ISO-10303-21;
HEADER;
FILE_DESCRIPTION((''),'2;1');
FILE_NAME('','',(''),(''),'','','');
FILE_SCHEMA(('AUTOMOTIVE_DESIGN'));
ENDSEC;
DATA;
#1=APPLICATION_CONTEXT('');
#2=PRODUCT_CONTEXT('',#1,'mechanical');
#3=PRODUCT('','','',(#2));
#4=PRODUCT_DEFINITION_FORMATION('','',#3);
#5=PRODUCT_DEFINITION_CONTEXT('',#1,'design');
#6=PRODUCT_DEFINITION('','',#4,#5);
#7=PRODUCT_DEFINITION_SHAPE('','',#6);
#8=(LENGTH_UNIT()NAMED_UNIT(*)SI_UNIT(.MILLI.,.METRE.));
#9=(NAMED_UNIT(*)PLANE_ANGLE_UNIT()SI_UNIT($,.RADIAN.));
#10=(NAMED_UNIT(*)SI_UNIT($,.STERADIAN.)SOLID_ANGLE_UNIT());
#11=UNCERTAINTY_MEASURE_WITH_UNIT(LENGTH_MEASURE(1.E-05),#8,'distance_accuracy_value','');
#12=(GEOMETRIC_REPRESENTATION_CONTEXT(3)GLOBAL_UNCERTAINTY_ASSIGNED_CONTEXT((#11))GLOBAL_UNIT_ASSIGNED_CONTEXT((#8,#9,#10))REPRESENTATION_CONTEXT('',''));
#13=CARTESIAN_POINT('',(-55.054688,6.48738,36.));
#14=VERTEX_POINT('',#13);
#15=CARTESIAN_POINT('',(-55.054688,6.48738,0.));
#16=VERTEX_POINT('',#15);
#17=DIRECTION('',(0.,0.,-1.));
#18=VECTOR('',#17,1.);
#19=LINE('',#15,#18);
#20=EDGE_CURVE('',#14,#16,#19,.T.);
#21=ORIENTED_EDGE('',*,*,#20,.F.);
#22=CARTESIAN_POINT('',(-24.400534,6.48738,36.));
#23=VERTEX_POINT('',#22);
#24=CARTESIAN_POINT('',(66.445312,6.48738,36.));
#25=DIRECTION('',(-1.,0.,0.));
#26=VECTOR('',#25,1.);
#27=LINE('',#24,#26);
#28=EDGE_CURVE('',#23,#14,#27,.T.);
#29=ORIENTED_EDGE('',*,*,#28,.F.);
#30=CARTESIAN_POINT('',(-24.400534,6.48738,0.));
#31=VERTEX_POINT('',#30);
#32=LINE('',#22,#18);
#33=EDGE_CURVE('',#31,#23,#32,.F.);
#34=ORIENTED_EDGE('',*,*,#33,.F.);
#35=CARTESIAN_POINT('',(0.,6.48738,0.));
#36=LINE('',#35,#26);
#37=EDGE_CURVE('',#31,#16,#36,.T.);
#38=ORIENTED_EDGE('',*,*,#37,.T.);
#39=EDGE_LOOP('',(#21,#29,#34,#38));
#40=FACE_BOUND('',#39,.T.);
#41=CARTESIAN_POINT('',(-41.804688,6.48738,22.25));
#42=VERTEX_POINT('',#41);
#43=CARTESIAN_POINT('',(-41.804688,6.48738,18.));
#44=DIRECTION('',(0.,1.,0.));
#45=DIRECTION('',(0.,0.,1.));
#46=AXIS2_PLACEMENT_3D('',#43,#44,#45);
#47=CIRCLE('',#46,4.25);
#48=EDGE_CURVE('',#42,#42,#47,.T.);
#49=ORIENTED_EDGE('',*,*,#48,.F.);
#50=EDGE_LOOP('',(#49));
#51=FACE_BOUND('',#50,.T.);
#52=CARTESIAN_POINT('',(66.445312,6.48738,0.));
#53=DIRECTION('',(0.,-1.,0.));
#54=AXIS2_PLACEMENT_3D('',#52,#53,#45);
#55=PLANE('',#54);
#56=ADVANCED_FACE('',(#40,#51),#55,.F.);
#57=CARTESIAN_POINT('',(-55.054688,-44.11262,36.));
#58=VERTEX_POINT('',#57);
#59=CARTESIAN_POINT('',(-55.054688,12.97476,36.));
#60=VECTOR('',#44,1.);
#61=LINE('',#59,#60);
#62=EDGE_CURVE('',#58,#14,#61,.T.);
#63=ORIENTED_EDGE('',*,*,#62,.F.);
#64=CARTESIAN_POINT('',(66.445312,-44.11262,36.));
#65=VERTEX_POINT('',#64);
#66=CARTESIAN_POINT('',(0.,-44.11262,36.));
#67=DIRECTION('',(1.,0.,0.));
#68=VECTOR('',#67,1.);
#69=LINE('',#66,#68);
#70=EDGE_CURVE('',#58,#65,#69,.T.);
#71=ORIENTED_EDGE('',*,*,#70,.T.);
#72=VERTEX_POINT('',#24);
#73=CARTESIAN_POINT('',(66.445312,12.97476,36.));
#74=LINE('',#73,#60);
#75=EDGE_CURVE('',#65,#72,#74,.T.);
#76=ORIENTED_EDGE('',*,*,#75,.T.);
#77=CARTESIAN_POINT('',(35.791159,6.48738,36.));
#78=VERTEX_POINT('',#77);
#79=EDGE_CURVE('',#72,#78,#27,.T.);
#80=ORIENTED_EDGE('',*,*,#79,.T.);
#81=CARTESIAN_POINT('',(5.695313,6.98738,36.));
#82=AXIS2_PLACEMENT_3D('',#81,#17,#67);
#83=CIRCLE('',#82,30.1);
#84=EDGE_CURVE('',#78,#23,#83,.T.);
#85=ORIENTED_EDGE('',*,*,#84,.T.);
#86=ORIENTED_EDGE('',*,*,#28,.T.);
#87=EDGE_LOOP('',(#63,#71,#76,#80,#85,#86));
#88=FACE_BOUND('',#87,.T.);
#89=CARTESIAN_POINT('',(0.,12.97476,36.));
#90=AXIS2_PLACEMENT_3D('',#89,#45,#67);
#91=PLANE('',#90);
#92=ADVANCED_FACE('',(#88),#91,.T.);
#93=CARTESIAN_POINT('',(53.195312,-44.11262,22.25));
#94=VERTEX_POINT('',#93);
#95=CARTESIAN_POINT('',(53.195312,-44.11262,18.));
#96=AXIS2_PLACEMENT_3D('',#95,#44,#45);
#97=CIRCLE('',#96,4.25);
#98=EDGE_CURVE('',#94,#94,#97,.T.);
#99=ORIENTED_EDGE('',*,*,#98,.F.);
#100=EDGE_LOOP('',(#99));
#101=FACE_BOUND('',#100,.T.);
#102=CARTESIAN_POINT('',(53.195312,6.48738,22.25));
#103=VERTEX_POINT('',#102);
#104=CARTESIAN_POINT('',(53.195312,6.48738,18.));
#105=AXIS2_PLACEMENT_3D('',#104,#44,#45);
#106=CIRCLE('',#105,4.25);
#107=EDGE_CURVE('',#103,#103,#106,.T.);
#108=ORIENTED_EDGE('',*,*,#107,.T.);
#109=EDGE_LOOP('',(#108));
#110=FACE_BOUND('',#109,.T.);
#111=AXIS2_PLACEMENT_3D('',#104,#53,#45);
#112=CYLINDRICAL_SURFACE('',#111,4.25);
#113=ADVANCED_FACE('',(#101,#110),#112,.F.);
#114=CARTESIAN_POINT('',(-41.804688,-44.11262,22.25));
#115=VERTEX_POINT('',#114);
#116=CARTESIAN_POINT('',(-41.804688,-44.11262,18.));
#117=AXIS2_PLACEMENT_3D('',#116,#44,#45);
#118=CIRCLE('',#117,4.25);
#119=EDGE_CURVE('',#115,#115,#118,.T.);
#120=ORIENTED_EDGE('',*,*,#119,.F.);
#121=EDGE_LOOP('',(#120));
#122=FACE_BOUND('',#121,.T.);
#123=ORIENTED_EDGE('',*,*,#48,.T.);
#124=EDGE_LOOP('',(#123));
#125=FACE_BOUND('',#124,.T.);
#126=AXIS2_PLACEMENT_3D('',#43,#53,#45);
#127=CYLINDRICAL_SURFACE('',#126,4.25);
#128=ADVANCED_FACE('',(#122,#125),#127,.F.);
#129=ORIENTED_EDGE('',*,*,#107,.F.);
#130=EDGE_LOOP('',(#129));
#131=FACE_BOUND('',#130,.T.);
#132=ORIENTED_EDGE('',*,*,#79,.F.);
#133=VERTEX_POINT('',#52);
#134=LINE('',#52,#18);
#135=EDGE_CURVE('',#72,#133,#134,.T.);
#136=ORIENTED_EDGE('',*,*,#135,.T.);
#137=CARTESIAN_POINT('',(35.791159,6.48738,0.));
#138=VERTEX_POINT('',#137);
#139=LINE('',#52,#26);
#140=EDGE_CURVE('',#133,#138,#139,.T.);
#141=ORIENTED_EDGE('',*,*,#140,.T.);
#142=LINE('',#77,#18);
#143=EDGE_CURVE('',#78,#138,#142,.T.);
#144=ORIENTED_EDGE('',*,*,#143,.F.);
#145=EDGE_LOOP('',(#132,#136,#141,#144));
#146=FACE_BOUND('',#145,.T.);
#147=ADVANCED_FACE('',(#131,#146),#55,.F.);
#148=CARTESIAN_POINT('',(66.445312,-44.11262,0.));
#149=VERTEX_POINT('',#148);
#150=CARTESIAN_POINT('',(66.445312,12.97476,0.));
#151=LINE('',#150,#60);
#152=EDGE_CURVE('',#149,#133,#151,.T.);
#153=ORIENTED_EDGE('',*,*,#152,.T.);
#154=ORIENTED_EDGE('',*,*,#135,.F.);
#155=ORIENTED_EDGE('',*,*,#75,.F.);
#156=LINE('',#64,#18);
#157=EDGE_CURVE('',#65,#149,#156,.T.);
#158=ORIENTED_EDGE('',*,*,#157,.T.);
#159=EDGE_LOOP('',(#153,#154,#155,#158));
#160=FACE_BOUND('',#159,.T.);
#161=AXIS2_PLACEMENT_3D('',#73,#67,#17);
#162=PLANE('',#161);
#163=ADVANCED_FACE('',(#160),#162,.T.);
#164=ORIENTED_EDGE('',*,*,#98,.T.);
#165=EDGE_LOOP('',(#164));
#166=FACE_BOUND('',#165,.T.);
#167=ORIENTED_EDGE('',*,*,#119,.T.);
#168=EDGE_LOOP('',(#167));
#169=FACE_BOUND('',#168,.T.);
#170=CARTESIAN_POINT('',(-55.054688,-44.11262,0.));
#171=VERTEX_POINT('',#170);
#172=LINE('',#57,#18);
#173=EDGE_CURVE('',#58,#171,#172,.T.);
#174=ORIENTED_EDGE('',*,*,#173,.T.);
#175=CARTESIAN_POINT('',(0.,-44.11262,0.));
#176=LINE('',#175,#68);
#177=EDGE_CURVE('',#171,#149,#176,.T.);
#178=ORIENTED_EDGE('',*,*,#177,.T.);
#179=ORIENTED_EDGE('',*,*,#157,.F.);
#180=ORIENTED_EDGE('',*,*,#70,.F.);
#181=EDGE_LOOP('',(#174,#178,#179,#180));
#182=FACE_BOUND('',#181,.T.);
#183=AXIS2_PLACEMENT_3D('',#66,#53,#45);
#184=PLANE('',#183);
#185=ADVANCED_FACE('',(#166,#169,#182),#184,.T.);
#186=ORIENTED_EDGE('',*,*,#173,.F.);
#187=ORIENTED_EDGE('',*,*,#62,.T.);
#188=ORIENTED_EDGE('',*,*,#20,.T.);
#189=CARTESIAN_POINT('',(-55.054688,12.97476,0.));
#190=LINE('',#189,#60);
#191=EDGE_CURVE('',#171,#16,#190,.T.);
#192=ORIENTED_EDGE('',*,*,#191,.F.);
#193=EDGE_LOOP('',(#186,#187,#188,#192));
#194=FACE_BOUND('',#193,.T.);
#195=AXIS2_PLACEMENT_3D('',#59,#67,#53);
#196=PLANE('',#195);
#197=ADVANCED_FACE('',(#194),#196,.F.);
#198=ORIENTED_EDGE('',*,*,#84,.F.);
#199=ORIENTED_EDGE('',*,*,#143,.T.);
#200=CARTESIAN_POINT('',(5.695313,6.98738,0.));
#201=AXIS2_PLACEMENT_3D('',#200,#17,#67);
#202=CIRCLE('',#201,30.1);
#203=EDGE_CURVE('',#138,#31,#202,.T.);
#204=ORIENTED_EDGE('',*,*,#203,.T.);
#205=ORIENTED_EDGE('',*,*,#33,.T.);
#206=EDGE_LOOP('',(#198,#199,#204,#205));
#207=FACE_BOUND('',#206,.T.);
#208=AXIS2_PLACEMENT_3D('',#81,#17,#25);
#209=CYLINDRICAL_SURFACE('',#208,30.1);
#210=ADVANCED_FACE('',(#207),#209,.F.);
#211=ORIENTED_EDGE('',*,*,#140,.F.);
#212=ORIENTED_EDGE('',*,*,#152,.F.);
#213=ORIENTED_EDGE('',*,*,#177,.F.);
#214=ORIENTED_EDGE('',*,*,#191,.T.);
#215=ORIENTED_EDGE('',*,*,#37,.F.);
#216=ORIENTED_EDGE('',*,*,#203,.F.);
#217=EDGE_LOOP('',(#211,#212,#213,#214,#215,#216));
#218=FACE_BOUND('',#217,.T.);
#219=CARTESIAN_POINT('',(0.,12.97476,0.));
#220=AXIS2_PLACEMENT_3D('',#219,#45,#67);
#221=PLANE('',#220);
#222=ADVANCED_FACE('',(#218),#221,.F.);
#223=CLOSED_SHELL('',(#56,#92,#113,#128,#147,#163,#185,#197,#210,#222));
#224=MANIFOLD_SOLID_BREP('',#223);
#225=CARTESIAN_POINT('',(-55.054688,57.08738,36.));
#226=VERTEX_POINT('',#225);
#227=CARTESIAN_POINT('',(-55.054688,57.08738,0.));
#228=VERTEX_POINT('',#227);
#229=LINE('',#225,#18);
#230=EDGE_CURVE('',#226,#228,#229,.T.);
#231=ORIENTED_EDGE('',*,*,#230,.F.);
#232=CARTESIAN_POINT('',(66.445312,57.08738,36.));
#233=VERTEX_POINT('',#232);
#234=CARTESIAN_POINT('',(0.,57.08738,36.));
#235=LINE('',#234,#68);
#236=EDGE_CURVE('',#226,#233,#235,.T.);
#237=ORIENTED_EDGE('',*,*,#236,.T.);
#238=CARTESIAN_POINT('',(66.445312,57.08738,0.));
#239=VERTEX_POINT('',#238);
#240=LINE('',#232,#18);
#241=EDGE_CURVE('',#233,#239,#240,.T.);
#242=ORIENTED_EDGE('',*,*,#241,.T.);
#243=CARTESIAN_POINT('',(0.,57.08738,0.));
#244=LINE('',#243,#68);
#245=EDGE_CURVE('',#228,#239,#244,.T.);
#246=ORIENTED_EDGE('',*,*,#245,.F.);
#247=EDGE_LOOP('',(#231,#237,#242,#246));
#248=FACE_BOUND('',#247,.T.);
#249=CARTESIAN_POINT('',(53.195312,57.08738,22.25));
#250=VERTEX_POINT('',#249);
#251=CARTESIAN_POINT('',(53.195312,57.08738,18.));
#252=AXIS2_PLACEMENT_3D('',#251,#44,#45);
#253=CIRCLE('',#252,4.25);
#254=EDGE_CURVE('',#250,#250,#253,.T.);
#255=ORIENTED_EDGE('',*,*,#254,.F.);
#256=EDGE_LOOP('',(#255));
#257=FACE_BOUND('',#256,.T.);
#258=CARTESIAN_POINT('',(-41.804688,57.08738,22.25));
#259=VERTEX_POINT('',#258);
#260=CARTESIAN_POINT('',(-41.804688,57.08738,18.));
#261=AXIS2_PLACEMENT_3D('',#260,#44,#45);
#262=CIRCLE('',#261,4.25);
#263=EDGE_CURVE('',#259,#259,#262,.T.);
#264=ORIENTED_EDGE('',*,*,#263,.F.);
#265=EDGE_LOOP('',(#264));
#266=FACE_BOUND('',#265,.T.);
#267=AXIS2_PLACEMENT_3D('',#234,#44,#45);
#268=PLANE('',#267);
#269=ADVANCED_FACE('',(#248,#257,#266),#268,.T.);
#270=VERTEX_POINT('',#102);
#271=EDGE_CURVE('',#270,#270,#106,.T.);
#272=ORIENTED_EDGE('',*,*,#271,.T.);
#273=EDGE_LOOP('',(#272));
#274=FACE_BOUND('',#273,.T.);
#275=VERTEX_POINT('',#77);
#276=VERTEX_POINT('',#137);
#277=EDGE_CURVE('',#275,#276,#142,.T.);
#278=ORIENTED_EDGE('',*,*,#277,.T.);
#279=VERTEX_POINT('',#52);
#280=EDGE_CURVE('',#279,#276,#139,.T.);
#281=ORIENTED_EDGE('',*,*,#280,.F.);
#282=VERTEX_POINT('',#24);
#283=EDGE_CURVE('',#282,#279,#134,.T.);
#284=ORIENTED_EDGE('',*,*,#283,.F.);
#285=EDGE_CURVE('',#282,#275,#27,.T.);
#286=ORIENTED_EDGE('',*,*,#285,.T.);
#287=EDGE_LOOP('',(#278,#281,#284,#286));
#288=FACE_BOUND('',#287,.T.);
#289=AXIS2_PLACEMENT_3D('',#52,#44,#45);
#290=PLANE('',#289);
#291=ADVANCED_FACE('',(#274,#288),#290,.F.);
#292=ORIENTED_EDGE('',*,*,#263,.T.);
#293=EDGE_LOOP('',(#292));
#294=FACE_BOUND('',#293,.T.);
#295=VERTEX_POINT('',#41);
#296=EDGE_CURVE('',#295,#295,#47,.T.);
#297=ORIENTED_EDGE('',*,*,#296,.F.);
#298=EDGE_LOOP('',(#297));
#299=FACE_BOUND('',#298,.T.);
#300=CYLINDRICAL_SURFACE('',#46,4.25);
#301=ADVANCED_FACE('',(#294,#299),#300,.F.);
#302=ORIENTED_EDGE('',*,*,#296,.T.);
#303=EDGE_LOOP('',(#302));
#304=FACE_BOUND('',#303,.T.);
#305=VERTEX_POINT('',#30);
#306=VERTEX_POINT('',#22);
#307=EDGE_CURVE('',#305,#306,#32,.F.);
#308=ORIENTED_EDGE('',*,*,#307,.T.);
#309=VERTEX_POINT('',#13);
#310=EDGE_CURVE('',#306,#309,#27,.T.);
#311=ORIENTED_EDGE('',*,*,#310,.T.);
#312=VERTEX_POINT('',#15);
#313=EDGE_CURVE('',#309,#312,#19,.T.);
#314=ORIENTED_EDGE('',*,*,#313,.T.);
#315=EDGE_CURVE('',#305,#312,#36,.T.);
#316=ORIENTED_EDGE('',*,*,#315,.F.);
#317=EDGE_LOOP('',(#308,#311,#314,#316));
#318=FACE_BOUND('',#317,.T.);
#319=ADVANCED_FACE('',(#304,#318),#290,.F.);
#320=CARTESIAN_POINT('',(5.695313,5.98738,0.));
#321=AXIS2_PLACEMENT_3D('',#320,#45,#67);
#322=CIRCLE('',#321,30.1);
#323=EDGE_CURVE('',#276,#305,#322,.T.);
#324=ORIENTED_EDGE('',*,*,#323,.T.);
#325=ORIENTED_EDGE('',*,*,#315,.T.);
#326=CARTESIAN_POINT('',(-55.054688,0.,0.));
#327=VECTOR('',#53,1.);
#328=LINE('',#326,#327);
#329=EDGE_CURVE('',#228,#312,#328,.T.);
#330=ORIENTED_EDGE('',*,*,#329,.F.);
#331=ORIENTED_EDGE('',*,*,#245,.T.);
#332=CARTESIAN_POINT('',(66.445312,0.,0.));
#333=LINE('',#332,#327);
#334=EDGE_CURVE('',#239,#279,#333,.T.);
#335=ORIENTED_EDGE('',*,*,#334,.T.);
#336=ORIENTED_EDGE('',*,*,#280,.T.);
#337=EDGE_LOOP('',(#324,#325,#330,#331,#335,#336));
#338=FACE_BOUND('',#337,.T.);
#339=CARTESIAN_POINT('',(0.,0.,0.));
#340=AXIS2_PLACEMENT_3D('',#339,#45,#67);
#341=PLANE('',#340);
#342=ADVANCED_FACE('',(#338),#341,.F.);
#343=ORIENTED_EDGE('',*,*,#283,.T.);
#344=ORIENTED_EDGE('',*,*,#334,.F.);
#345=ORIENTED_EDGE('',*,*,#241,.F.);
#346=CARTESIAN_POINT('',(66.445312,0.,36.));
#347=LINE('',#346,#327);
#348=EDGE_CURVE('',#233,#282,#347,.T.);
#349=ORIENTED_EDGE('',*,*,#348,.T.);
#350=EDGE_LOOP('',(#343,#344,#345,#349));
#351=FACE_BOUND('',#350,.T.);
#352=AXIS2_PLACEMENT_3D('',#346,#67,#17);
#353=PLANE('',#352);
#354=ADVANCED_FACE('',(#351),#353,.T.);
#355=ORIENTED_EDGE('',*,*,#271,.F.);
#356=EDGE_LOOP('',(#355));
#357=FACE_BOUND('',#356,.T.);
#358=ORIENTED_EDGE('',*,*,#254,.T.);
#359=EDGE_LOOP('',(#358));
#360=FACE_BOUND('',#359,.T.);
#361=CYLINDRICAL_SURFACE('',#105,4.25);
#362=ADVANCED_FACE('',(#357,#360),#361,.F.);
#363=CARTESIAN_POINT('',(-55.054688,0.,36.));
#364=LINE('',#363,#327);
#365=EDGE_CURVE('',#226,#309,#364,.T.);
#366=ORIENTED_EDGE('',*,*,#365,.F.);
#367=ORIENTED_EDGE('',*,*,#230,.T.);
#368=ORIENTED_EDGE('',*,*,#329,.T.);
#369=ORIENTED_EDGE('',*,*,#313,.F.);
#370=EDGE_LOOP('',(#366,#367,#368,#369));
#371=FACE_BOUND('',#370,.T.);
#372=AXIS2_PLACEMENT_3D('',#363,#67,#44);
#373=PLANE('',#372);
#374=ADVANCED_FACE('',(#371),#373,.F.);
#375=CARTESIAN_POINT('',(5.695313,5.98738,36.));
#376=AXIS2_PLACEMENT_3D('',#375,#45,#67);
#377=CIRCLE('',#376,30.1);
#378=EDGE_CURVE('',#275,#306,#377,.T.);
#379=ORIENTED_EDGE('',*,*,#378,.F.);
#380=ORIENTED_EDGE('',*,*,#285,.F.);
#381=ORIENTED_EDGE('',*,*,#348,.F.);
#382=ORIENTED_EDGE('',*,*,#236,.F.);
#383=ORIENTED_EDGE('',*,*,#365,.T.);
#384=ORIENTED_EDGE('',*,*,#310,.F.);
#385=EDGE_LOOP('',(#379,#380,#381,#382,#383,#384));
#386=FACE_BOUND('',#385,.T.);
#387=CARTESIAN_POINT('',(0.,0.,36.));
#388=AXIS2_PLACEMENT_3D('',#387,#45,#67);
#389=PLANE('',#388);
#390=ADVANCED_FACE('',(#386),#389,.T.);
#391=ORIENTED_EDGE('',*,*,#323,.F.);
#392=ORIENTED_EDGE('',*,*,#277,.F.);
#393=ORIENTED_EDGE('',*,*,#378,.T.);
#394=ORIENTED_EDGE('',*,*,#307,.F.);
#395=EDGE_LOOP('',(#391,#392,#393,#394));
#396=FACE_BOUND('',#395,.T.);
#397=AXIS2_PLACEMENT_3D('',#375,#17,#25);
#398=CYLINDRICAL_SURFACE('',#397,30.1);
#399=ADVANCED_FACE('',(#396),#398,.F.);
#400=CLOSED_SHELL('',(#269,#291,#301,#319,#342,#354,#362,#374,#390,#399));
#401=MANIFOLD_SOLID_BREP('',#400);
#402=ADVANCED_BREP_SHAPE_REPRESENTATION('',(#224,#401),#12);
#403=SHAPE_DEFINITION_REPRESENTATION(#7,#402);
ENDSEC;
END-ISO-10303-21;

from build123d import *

# Parameters (mm, degrees)
BOSS_EXTRUDE1_DEPTH = 36
SKETCH3_W           = 36
SKETCH3_H           = 0.5
CUT_EXTRUDE1_DEPTH  = 122.5
SKETCH4_R           = 4.25
CUT_EXTRUDE2_DEPTH  = 51.6


with BuildPart() as part:
    # Sketch1 → Boss-Extrude1 (new body)
    with BuildSketch(Plane.XY):
        with BuildLine():
            Line((66.4453125, 57.087379808), (-55.0546875, 57.087379808))
            Line((-55.0546875, 57.087379808), (-55.0546875, 5.987379808))
            Line((-55.0546875, 5.987379808), (-24.4046875, 5.987379808))
            ThreePointArc((-24.4046875, 5.987379808), (5.6953125, 36.087379808), (35.7953125, 5.987379808))
            Line((35.7953125, 5.987379808), (66.4453125, 5.987379808))
            Line((66.4453125, 5.987379808), (66.4453125, 57.087379808))
        make_face()
    extrude(amount=BOSS_EXTRUDE1_DEPTH)

    # Sketch3 → Cut-Extrude1 (cut, through all)
    with BuildSketch(Plane.ZY.offset(55.0546875)):
        with Locations((18, 6.237379808)):
            Rectangle(SKETCH3_W, SKETCH3_H)
    extrude(amount=-CUT_EXTRUDE1_DEPTH, mode=Mode.SUBTRACT)

    # Sketch4 → Cut-Extrude2 (cut, through all)
    with BuildSketch(Plane(origin=(0, 57.087379808, 0), x_dir=(1, 0, 0), z_dir=(0, 1, 0))):
        with Locations((-41.8046875, -18)):
            Circle(SKETCH4_R)
        with Locations((53.1953125, -18)):
            Circle(SKETCH4_R)
    extrude(amount=-CUT_EXTRUDE2_DEPTH, mode=Mode.SUBTRACT)


with BuildPart() as body_2:
    # Mirror2: mirrored copy
    add(part.part.mirror(Plane(origin=(66.4453125, 6.487379808, 0), x_dir=(0, 0, 1), z_dir=(0, 1, 0))))


solid = Compound([part.part, body_2.part])
